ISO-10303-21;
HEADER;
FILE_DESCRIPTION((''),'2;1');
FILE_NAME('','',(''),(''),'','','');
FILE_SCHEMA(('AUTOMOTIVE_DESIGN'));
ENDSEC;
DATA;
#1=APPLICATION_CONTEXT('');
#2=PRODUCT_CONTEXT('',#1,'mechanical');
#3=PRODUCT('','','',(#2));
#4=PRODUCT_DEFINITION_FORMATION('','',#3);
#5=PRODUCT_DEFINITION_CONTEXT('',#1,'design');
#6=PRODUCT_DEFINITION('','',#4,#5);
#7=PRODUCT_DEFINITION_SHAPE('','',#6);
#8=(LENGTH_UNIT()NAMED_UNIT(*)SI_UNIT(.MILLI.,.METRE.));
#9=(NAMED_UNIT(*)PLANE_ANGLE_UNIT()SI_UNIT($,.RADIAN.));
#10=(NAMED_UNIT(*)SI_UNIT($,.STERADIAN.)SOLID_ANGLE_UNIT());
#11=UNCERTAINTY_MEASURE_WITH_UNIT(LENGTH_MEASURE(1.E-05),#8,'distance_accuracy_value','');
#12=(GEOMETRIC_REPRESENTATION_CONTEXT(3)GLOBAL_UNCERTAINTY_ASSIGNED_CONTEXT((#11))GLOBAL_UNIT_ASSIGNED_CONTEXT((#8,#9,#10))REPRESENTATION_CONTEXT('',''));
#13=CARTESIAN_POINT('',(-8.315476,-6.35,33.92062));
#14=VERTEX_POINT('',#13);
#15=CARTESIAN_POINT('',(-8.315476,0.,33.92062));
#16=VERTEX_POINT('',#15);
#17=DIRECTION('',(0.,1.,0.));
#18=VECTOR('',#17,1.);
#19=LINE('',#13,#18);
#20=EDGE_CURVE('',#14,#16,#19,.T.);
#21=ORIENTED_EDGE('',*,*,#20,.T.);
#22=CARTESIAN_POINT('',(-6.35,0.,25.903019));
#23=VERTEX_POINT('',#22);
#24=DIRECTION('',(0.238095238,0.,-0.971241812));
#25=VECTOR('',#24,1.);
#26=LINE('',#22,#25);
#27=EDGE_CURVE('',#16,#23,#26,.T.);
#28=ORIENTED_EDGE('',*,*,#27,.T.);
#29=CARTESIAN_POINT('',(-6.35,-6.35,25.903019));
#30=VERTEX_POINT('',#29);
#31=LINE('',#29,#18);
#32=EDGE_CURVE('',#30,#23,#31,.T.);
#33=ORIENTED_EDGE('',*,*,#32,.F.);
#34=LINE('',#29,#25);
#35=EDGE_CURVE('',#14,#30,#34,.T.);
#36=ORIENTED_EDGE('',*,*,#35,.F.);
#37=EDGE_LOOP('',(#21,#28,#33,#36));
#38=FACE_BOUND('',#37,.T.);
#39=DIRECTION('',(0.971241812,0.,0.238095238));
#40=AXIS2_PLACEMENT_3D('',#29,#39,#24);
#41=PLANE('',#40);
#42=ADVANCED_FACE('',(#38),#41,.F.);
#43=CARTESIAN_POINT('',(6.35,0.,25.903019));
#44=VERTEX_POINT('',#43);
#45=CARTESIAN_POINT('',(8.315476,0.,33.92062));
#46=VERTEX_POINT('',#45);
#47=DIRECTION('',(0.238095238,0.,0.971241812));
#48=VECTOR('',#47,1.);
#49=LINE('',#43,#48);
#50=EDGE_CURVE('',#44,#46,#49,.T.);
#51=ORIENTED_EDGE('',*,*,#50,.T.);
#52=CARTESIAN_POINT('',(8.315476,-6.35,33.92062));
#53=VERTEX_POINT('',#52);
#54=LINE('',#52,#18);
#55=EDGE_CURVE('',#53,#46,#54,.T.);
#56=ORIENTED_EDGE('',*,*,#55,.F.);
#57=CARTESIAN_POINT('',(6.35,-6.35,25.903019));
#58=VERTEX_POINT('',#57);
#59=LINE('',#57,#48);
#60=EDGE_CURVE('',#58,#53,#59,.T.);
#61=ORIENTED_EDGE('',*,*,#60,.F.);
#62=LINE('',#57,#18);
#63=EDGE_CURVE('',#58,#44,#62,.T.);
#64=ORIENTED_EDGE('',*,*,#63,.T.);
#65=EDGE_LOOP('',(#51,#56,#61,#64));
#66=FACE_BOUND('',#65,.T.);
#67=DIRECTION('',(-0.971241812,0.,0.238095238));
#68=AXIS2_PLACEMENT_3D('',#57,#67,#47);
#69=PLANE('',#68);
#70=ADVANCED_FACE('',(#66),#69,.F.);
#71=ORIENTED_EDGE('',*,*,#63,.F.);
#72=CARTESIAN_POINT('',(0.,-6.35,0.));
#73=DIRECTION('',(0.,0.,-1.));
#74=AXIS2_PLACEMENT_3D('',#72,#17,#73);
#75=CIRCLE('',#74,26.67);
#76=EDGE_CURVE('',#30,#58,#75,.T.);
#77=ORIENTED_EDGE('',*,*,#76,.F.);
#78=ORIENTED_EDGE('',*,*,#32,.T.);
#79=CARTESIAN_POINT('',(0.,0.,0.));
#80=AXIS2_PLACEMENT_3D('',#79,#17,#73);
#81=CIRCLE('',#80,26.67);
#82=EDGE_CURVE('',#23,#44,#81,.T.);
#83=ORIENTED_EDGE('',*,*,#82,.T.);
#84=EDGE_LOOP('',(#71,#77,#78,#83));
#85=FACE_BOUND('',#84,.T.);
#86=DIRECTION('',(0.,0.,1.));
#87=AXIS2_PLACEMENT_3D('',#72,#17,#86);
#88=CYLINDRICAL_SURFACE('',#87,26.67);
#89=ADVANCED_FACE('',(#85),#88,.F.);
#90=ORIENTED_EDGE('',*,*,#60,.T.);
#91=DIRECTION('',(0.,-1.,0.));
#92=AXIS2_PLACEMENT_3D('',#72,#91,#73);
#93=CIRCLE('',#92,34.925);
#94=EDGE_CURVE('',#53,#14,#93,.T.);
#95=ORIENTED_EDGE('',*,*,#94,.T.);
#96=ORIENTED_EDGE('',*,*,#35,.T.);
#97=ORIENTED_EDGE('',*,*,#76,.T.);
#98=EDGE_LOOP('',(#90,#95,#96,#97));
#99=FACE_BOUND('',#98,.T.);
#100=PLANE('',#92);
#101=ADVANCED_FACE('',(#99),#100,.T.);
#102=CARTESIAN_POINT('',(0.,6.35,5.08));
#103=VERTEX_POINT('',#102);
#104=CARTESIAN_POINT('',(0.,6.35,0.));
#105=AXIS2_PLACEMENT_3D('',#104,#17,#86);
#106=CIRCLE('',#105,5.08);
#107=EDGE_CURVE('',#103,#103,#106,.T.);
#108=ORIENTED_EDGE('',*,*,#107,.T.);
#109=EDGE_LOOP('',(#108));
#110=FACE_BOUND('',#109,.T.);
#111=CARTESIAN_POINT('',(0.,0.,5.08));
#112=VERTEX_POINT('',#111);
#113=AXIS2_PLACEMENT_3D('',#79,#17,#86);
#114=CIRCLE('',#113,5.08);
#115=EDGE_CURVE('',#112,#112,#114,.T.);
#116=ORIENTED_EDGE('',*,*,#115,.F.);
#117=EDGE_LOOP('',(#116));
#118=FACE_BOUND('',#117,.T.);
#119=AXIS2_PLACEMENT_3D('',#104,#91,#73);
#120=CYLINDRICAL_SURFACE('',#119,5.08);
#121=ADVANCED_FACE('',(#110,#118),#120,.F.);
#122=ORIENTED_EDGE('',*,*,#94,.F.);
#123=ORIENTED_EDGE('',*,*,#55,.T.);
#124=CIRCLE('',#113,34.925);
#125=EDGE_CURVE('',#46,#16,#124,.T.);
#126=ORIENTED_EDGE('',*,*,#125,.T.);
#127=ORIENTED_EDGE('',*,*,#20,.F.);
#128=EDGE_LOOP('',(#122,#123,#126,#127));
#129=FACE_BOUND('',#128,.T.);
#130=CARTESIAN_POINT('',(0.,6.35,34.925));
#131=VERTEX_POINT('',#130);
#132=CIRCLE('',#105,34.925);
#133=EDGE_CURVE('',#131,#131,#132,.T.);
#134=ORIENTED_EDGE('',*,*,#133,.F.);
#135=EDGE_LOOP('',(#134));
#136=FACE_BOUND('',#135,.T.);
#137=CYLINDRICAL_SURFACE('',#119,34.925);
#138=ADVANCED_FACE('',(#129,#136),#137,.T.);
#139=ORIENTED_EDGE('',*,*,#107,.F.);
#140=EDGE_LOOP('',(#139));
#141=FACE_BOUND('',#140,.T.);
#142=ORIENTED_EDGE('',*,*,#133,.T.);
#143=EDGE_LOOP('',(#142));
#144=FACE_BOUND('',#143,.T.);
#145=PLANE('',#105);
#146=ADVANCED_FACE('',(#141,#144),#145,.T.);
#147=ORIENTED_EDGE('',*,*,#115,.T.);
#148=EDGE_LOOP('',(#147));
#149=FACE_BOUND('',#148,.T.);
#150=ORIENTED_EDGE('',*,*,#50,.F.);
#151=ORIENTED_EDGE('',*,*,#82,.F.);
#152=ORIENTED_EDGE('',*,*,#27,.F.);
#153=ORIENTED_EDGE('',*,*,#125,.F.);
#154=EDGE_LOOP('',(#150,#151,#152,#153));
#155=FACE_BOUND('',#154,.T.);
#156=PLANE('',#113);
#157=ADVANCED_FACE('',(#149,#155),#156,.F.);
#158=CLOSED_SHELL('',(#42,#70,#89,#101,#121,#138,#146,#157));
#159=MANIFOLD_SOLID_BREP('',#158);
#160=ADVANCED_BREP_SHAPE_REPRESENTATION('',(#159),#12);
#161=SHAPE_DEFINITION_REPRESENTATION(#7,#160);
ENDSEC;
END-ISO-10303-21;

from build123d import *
from build123d.topology import SkipClean

# Parameters (mm, degrees)
SKETCH2_R           = 34.925
SKETCH2_R_2         = 5.08
BOSS_EXTRUDE1_DEPTH = 6.35
BOSS_EXTRUDE2_START = 6.35
BOSS_EXTRUDE2_DEPTH = 6.35


with BuildPart() as part:
    # Sketch2 → Boss-Extrude1 (new body)
    with BuildSketch(Plane(origin=(0, 0, 0), x_dir=(1, 0, 0), z_dir=(0, 1, 0))):
        with Locations(Location((0, 0, 0), (0, 0, 270))):
            Circle(SKETCH2_R)
        with Locations(Location((0, 0, 0), (0, 0, 270))):
            Circle(SKETCH2_R_2, mode=Mode.SUBTRACT)
    extrude(amount=BOSS_EXTRUDE1_DEPTH)

    # Sketch3 → Boss-Extrude2 (add)
    with SkipClean():  # the faces are left unmerged after this step: merging them gives an invalid solid
        with BuildSketch(Plane.XZ.offset(BOSS_EXTRUDE2_START)):
            with BuildLine():
                Line((6.35, 25.903019129), (8.31547619, 33.920620288))
                ThreePointArc((8.31547619, 33.920620288), (0, 34.925), (-8.31547619, 33.920620288))
                Line((-8.31547619, 33.920620288), (-6.35, 25.903019129))
                ThreePointArc((-6.35, 25.903019129), (0, 26.67), (6.35, 25.903019129))
            make_face()
        extrude(amount=-BOSS_EXTRUDE2_DEPTH)


solid = part.part
